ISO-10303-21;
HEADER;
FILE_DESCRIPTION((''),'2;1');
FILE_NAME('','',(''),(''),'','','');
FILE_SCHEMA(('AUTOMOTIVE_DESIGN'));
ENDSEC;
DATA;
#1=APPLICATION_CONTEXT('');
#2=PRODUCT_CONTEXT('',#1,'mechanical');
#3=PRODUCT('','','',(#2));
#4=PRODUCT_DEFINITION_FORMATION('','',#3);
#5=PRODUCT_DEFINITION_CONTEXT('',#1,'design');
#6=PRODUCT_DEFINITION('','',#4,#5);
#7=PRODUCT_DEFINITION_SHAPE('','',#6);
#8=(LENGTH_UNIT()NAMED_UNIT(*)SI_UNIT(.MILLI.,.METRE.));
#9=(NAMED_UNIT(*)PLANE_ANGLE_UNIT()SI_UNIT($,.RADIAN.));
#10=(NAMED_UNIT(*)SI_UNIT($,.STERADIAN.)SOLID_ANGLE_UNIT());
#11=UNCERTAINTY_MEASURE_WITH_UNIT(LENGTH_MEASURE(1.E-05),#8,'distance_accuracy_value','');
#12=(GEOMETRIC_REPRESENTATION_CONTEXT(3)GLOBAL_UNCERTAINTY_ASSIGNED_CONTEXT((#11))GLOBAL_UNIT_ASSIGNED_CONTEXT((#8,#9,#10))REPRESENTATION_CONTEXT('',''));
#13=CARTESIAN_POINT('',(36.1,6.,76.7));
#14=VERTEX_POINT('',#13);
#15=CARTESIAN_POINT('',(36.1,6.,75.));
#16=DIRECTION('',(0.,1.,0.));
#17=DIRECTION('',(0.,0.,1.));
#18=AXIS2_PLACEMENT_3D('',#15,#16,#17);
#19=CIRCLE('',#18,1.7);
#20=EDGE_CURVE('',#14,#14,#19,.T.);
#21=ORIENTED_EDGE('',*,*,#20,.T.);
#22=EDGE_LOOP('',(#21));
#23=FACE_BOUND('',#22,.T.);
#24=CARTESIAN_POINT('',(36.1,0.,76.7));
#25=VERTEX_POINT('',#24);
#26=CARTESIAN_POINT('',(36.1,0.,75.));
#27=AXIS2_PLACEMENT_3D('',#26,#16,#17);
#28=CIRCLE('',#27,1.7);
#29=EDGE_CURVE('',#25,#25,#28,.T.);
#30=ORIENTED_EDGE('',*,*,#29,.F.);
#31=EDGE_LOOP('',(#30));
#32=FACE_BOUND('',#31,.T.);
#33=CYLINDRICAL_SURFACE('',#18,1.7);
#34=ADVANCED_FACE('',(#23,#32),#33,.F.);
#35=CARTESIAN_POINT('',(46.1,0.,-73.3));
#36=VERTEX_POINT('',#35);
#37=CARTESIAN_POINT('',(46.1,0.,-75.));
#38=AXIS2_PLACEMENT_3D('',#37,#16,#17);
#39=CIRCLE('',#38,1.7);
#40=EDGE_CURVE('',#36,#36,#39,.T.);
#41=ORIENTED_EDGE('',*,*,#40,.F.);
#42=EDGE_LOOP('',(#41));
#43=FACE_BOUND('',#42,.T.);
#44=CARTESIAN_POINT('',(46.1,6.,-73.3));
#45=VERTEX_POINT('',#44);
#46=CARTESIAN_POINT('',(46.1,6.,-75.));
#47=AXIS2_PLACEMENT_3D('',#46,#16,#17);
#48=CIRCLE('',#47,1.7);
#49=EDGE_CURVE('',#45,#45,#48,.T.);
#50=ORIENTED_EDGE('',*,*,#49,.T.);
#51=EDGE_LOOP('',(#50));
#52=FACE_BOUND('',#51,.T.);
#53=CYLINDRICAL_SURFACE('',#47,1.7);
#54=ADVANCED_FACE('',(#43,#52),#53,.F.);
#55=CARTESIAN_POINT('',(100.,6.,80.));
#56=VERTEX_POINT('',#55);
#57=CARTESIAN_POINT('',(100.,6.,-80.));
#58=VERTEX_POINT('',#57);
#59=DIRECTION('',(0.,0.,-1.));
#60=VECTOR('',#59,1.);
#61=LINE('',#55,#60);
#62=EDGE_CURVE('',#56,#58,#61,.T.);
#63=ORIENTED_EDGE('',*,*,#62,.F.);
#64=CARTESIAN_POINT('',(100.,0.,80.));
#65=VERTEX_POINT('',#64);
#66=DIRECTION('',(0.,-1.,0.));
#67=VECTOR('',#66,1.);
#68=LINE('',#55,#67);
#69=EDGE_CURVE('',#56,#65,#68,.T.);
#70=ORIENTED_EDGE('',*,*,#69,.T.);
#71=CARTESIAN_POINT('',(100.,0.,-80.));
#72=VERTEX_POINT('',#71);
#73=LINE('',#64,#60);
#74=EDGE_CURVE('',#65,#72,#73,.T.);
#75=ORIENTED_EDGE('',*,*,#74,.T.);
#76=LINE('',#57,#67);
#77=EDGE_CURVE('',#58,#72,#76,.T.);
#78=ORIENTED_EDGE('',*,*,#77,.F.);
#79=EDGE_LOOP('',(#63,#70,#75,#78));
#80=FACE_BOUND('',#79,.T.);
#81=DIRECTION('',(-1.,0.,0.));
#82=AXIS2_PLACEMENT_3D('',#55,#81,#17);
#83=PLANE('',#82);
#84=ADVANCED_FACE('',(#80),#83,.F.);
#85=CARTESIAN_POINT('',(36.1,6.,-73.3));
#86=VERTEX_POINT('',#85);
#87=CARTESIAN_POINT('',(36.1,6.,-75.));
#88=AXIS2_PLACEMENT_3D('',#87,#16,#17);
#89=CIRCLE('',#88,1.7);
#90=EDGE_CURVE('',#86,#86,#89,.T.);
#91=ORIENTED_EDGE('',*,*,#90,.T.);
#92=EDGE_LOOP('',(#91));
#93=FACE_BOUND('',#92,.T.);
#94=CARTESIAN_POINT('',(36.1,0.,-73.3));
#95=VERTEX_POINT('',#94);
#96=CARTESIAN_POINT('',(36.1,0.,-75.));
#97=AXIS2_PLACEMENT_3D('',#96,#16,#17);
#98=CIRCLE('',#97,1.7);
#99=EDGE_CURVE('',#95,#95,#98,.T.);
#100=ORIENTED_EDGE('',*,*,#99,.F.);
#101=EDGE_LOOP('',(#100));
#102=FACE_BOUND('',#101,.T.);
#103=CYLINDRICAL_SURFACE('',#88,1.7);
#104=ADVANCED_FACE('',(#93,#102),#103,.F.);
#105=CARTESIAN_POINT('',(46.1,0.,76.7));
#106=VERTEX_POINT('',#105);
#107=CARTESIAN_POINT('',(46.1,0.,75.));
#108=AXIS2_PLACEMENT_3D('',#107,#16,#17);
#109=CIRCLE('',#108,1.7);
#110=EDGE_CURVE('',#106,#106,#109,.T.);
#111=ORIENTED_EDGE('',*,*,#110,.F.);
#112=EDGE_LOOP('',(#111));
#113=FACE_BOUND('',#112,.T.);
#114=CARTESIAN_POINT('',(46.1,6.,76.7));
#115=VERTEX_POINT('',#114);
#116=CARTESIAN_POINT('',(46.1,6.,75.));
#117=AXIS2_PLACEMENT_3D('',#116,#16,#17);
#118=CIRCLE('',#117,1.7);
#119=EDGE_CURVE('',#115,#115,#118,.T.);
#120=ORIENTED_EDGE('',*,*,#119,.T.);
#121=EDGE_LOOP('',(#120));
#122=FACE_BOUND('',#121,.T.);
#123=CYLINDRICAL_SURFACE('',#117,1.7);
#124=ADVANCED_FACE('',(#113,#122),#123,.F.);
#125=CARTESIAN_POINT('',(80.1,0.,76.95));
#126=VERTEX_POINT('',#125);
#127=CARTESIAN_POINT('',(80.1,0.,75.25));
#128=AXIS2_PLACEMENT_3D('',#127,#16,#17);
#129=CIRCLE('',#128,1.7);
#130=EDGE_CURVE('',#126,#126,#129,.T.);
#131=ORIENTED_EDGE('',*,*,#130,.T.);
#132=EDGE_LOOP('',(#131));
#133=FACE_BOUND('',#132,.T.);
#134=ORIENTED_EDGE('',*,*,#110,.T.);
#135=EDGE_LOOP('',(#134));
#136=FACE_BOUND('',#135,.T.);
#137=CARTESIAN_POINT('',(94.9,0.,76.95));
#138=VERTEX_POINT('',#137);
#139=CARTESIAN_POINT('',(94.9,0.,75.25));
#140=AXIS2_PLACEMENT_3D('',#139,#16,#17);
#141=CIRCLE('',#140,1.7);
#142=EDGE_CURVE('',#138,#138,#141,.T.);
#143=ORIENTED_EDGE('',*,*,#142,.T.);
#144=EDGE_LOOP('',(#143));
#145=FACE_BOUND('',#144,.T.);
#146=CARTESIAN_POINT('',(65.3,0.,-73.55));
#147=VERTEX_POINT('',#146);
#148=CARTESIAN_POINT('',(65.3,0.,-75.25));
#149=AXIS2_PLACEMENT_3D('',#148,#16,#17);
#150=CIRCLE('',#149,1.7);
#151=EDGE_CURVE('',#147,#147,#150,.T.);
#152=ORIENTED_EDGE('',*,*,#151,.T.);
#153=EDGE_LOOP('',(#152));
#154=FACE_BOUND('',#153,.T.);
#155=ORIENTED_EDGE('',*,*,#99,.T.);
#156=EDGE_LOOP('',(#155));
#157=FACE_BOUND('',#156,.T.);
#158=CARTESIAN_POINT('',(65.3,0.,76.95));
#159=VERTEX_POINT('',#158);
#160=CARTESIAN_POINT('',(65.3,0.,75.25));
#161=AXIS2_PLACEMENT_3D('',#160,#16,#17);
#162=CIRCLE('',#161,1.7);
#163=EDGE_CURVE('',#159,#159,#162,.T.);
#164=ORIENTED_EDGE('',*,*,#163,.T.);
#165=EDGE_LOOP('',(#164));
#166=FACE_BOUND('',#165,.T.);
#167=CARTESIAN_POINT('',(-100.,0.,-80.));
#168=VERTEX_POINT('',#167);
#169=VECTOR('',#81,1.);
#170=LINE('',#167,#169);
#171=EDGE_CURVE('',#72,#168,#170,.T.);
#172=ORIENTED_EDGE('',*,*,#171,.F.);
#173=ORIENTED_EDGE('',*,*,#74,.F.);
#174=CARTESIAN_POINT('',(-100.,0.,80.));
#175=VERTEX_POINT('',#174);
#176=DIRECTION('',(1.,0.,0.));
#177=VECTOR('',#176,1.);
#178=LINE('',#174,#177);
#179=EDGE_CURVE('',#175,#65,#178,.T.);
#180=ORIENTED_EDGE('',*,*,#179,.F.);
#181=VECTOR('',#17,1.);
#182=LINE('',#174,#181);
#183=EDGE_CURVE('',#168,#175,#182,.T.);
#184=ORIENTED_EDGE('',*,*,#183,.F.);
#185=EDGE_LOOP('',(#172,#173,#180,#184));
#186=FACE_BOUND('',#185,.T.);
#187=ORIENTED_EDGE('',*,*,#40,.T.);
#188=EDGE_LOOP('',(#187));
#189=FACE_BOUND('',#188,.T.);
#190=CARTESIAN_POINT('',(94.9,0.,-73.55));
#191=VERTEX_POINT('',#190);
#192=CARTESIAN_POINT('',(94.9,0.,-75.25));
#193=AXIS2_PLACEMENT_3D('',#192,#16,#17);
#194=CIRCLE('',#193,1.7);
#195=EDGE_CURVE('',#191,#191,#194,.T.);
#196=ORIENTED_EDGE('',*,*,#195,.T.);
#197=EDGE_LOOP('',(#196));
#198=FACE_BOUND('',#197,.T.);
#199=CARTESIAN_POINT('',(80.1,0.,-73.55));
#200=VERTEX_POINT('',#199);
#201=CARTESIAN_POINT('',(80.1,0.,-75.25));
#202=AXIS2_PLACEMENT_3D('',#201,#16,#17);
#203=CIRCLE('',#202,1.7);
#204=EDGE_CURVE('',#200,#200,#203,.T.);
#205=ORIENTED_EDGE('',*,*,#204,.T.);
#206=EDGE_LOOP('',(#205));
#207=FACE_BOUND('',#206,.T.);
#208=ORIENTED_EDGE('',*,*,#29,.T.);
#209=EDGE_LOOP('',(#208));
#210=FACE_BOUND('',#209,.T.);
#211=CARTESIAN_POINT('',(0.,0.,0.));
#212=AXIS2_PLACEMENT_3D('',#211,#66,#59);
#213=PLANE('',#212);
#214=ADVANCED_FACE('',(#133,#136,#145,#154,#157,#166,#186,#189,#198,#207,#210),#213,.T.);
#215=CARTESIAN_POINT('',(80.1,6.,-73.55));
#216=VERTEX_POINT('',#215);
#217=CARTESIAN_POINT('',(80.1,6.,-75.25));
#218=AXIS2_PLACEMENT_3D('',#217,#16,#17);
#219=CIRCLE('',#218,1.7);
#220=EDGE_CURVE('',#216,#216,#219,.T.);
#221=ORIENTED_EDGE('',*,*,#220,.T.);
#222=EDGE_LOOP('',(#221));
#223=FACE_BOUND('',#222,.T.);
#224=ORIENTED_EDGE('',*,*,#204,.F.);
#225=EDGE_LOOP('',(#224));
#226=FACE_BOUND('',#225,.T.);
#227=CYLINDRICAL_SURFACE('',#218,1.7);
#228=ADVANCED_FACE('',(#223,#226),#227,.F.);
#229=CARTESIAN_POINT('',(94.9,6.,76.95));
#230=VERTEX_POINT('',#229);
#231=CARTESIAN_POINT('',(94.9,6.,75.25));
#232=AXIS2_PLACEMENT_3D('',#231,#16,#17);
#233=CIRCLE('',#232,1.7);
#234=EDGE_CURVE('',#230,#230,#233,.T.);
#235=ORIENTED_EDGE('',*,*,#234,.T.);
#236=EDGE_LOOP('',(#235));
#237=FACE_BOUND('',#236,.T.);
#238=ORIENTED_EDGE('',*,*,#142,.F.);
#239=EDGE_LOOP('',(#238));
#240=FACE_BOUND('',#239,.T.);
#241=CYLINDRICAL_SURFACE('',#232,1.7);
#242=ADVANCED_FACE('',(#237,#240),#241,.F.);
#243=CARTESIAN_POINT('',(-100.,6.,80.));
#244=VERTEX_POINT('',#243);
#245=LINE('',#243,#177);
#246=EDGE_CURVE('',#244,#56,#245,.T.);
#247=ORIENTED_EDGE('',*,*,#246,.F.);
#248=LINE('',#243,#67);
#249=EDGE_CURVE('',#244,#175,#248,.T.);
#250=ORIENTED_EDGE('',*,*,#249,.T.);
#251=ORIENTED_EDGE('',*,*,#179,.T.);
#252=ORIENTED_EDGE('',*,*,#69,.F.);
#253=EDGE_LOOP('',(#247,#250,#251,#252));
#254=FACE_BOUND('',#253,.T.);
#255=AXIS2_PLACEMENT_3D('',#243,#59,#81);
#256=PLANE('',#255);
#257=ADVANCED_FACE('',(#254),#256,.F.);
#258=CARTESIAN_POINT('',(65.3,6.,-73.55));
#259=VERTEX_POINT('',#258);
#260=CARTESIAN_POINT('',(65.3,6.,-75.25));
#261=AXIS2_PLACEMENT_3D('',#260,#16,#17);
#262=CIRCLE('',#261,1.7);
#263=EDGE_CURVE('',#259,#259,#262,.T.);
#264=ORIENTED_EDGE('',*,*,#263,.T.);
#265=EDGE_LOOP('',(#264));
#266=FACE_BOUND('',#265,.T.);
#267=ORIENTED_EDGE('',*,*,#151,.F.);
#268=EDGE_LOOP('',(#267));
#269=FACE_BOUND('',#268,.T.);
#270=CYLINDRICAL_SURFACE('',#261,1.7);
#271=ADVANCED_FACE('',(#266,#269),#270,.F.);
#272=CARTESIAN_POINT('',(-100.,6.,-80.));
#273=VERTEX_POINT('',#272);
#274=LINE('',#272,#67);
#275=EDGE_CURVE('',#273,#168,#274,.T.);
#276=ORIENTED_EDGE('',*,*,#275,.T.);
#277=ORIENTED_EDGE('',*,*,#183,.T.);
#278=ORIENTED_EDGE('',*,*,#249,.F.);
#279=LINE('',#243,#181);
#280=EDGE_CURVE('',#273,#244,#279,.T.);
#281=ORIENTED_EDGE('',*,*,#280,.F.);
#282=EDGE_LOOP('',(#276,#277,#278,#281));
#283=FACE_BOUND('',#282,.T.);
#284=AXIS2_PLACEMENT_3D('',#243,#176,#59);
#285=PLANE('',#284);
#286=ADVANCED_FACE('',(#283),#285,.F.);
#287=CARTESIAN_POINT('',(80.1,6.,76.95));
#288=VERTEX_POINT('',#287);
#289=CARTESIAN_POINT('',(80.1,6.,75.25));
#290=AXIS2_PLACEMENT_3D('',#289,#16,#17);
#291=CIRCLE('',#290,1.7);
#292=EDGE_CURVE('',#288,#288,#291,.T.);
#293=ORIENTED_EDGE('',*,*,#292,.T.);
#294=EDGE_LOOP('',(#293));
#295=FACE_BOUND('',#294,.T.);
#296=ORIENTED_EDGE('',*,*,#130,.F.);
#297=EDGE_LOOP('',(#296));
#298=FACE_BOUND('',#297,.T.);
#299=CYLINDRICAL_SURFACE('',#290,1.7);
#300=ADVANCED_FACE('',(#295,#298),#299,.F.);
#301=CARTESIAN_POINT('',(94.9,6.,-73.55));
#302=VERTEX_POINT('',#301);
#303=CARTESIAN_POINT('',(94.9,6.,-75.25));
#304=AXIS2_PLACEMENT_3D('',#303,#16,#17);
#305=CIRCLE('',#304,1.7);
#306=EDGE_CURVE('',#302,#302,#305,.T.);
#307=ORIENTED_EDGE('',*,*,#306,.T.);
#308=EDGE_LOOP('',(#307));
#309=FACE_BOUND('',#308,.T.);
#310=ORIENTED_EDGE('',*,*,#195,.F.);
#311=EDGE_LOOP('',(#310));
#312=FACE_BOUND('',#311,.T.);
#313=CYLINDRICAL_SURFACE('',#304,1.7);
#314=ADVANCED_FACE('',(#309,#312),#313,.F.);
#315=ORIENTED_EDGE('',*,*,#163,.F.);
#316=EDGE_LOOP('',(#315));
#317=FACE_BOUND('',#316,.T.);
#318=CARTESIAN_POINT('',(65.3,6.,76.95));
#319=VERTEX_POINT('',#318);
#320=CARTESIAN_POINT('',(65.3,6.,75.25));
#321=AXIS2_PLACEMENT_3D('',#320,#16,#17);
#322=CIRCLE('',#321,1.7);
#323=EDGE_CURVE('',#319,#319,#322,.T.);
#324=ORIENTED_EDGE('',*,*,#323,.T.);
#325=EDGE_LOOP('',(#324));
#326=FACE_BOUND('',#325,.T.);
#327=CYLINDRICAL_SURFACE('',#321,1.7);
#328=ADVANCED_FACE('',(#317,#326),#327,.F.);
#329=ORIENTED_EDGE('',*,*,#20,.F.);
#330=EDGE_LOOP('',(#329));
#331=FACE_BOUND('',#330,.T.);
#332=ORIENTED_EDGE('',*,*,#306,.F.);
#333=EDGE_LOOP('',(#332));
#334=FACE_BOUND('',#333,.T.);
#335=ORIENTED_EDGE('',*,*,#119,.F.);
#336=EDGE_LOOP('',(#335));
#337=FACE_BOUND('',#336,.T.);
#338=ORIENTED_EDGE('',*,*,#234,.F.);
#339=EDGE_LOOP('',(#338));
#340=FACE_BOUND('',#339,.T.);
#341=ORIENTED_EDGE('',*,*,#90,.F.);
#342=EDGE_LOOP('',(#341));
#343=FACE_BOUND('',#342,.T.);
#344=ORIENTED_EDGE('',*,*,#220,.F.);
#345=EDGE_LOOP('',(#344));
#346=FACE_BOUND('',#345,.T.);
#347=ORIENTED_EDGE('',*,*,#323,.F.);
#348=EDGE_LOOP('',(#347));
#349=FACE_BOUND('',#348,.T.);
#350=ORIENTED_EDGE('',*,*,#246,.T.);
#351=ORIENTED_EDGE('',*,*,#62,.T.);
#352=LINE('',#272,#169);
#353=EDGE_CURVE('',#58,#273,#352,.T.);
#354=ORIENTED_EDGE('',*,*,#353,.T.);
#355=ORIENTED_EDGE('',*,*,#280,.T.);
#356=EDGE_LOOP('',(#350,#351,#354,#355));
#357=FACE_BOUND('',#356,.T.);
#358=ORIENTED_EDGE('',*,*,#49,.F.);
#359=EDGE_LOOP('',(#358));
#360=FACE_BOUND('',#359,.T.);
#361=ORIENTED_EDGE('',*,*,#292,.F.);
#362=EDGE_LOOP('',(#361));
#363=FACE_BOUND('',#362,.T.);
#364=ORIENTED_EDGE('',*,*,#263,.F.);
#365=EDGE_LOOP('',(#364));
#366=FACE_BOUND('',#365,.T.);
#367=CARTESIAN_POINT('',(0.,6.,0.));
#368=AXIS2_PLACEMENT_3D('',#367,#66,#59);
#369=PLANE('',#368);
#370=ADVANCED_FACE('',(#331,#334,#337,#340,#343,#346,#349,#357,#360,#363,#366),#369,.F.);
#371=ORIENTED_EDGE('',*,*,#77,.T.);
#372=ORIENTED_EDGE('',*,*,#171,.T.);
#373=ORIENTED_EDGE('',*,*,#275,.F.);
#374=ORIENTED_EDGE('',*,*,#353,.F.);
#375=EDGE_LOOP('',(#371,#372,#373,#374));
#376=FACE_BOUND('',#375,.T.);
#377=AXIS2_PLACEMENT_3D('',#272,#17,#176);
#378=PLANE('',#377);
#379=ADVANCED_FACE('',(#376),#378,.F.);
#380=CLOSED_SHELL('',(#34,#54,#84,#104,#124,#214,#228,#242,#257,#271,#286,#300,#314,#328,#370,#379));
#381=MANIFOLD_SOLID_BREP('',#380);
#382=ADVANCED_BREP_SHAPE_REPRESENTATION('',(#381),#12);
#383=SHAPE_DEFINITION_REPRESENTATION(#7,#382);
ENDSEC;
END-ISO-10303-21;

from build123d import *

# Parameters (mm, degrees)
SKETCH1_W            = 200
SKETCH1_H            = 160
BOSS_EXTRUDE1_DEPTH  = 6
M3_CLEARANCE_HOLE1_D = 3.4
M3_CLEARANCE_HOLE2_D = 3.4


with BuildPart() as part:
    # Sketch1 → Boss-Extrude1 (new body)
    with BuildSketch(Plane(origin=(0, 0, 0), x_dir=(1, 0, 0), z_dir=(0, 1, 0))):
        Rectangle(SKETCH1_W, SKETCH1_H)
    extrude(amount=BOSS_EXTRUDE1_DEPTH)

    # M3 Clearance Hole1 (through all)
    with Locations(Plane(origin=(0, 6, 0), x_dir=(1, 0, 0), z_dir=(0, 1, 0))):
        with Locations((36.1, -75), (46.1, -75), (36.1, 75), (46.1, 75)):
            Hole(M3_CLEARANCE_HOLE1_D / 2)

    # M3 Clearance Hole2 (through all)
    with Locations(Plane(origin=(0, 6, 0), x_dir=(1, 0, 0), z_dir=(0, 1, 0))):
        with Locations((94.9, -75.25), (80.1, -75.25), (65.3, -75.25), (94.9, 75.25), (80.1, 75.25), (65.3, 75.25)):
            Hole(M3_CLEARANCE_HOLE2_D / 2)


solid = part.part
